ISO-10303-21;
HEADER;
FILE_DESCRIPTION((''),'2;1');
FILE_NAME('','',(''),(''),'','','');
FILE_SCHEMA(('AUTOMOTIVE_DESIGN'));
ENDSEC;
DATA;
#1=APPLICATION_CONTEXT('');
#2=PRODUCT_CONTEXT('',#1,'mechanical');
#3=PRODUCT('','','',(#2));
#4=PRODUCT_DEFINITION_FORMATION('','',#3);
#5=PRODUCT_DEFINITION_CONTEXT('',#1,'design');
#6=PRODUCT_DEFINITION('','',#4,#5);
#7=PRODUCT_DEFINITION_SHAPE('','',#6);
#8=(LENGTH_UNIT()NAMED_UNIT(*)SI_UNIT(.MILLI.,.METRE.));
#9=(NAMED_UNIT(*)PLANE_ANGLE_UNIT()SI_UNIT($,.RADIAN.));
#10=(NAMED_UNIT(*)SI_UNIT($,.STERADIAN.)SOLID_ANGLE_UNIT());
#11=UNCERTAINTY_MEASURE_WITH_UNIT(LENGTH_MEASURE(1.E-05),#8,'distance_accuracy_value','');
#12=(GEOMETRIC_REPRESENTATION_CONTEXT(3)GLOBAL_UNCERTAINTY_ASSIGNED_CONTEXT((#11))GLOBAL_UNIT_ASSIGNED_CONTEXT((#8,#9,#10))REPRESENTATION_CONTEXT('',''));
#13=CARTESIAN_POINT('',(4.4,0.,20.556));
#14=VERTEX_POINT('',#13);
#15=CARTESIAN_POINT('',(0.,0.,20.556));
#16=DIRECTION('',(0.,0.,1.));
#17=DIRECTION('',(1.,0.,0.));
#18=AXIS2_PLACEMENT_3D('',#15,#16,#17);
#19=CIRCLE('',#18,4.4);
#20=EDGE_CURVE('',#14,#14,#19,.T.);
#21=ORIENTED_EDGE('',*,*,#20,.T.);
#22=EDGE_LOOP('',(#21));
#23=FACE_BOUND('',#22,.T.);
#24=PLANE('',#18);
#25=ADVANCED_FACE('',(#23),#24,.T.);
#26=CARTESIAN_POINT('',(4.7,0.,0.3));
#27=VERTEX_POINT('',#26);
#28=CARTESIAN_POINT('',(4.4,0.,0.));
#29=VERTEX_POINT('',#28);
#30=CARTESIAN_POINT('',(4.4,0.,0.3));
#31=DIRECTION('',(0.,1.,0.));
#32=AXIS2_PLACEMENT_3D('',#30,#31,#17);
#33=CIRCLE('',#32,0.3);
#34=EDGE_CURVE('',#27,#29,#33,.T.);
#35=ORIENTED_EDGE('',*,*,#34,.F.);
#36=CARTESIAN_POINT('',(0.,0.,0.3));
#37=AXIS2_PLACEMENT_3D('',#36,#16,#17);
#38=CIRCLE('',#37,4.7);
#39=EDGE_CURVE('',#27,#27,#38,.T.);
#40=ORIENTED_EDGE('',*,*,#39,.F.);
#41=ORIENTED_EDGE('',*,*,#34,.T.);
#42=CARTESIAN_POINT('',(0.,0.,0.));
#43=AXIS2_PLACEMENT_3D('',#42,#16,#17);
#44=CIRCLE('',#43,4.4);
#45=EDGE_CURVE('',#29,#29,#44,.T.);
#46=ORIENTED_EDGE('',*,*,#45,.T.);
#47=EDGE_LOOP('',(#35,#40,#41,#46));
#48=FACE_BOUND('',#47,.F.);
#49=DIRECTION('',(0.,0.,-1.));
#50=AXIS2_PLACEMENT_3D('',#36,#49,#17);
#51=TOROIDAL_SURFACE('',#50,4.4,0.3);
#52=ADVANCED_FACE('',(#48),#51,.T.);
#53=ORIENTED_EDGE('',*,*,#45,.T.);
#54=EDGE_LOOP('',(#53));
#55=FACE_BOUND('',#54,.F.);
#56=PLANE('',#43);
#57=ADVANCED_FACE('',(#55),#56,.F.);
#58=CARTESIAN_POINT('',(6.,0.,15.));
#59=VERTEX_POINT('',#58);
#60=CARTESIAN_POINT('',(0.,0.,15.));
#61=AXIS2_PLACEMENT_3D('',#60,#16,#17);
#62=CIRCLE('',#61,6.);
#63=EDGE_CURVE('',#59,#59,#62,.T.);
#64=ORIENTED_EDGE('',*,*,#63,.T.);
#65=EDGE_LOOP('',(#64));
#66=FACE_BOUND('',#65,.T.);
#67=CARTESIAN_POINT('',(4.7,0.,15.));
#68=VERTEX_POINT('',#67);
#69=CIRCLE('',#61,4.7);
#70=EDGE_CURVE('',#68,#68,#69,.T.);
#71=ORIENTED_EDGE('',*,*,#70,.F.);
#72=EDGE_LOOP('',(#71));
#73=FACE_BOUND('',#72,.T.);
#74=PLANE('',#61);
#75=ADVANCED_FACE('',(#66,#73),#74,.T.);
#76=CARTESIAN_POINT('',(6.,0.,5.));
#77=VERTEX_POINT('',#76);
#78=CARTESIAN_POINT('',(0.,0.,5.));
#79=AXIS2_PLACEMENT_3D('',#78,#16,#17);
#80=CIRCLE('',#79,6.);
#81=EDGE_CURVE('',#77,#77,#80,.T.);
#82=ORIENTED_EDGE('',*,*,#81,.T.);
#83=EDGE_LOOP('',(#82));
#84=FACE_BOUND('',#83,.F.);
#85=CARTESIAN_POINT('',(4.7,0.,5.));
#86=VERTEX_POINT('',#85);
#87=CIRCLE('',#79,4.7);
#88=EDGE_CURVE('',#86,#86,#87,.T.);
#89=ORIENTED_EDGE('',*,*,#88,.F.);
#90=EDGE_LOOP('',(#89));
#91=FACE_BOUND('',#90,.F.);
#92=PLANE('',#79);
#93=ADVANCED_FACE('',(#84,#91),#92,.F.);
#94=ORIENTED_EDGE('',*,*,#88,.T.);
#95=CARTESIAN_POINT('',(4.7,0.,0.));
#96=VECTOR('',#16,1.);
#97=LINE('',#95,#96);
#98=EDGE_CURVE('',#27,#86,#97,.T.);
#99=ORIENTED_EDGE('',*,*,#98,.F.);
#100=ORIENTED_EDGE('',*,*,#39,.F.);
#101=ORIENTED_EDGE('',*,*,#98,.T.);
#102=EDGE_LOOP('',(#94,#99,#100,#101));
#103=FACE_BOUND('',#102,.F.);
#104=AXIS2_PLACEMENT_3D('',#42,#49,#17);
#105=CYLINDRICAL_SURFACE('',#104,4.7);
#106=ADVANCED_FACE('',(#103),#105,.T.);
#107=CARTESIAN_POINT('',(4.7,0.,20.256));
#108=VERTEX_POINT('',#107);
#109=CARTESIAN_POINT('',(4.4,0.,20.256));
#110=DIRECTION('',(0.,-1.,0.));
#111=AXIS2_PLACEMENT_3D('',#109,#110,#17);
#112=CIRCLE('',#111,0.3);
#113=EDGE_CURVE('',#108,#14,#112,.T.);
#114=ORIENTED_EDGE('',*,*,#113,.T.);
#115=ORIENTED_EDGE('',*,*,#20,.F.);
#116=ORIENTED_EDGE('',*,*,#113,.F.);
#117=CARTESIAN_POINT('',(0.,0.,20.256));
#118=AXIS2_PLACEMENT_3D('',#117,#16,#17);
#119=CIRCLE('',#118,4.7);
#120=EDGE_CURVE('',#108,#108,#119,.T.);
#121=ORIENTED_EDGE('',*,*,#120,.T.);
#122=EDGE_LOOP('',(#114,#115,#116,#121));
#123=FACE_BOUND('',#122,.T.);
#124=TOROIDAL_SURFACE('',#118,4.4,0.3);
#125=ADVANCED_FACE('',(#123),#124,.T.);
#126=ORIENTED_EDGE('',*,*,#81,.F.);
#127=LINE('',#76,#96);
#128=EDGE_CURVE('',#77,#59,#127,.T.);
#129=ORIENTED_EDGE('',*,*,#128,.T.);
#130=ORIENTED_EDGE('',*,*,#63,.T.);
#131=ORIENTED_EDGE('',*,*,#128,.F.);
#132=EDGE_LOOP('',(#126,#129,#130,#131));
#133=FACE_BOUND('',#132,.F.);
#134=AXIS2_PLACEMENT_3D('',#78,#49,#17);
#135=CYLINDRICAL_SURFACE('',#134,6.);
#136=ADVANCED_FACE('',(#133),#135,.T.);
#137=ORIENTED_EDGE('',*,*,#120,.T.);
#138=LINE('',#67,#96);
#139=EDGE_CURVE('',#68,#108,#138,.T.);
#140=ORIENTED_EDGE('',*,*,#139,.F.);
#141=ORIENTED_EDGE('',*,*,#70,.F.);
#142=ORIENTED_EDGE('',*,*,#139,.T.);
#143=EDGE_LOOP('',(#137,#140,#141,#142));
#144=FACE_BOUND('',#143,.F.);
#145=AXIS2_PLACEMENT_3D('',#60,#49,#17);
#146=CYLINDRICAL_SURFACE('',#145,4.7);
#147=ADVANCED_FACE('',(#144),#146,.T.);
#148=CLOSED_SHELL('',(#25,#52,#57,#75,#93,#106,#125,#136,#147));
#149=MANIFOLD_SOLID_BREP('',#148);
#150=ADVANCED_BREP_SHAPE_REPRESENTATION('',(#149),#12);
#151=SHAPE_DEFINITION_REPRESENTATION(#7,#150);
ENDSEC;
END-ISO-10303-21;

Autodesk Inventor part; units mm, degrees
ref_plane "YZ Plane" through (0, 0, 0) normal (1, 0, 0) x (0, 1, 0)
ref_plane "XZ Plane" through (0, 0, 0) normal (0, 1, 0) x (-1, 0, 0)
ref_plane "XY Plane" through (0, 0, 0) normal (0, 0, 1) x (1, 0, 0)
sketch "Sketch1" plane through (0, 0, 0) normal (0, 0, 1) x (1, 0, 0)
  circle A0 centre (0, 0) radius 4.7
  dimension "d0" = 9.4
extrude "Extrusion1" add sketch "Sketch1" along normal blind 5
sketch "Sketch2" plane through (0, 0, 5) normal (0, 0, 1) x (1, 0, 0)
  circle A0 centre (0, 0) radius 6
  dimension "d3" = 12
extrude "Extrusion2" add sketch "Sketch2" along normal blind 10
sketch "Sketch3" plane through (0, 0, 15) normal (0, 0, 1) x (1, 0, 0)
  circle A0 centre (0, 0) radius 4.7
  dimension "d6" = 9.4
extrude "Extrusion3" add sketch "Sketch3" along normal blind 5.556
fillet "Fillet1" radius 0.3 2 edges at (-4.7, 0, 20.556) (-4.7, 0, 0)
properties part number "eje escalonado V2"
